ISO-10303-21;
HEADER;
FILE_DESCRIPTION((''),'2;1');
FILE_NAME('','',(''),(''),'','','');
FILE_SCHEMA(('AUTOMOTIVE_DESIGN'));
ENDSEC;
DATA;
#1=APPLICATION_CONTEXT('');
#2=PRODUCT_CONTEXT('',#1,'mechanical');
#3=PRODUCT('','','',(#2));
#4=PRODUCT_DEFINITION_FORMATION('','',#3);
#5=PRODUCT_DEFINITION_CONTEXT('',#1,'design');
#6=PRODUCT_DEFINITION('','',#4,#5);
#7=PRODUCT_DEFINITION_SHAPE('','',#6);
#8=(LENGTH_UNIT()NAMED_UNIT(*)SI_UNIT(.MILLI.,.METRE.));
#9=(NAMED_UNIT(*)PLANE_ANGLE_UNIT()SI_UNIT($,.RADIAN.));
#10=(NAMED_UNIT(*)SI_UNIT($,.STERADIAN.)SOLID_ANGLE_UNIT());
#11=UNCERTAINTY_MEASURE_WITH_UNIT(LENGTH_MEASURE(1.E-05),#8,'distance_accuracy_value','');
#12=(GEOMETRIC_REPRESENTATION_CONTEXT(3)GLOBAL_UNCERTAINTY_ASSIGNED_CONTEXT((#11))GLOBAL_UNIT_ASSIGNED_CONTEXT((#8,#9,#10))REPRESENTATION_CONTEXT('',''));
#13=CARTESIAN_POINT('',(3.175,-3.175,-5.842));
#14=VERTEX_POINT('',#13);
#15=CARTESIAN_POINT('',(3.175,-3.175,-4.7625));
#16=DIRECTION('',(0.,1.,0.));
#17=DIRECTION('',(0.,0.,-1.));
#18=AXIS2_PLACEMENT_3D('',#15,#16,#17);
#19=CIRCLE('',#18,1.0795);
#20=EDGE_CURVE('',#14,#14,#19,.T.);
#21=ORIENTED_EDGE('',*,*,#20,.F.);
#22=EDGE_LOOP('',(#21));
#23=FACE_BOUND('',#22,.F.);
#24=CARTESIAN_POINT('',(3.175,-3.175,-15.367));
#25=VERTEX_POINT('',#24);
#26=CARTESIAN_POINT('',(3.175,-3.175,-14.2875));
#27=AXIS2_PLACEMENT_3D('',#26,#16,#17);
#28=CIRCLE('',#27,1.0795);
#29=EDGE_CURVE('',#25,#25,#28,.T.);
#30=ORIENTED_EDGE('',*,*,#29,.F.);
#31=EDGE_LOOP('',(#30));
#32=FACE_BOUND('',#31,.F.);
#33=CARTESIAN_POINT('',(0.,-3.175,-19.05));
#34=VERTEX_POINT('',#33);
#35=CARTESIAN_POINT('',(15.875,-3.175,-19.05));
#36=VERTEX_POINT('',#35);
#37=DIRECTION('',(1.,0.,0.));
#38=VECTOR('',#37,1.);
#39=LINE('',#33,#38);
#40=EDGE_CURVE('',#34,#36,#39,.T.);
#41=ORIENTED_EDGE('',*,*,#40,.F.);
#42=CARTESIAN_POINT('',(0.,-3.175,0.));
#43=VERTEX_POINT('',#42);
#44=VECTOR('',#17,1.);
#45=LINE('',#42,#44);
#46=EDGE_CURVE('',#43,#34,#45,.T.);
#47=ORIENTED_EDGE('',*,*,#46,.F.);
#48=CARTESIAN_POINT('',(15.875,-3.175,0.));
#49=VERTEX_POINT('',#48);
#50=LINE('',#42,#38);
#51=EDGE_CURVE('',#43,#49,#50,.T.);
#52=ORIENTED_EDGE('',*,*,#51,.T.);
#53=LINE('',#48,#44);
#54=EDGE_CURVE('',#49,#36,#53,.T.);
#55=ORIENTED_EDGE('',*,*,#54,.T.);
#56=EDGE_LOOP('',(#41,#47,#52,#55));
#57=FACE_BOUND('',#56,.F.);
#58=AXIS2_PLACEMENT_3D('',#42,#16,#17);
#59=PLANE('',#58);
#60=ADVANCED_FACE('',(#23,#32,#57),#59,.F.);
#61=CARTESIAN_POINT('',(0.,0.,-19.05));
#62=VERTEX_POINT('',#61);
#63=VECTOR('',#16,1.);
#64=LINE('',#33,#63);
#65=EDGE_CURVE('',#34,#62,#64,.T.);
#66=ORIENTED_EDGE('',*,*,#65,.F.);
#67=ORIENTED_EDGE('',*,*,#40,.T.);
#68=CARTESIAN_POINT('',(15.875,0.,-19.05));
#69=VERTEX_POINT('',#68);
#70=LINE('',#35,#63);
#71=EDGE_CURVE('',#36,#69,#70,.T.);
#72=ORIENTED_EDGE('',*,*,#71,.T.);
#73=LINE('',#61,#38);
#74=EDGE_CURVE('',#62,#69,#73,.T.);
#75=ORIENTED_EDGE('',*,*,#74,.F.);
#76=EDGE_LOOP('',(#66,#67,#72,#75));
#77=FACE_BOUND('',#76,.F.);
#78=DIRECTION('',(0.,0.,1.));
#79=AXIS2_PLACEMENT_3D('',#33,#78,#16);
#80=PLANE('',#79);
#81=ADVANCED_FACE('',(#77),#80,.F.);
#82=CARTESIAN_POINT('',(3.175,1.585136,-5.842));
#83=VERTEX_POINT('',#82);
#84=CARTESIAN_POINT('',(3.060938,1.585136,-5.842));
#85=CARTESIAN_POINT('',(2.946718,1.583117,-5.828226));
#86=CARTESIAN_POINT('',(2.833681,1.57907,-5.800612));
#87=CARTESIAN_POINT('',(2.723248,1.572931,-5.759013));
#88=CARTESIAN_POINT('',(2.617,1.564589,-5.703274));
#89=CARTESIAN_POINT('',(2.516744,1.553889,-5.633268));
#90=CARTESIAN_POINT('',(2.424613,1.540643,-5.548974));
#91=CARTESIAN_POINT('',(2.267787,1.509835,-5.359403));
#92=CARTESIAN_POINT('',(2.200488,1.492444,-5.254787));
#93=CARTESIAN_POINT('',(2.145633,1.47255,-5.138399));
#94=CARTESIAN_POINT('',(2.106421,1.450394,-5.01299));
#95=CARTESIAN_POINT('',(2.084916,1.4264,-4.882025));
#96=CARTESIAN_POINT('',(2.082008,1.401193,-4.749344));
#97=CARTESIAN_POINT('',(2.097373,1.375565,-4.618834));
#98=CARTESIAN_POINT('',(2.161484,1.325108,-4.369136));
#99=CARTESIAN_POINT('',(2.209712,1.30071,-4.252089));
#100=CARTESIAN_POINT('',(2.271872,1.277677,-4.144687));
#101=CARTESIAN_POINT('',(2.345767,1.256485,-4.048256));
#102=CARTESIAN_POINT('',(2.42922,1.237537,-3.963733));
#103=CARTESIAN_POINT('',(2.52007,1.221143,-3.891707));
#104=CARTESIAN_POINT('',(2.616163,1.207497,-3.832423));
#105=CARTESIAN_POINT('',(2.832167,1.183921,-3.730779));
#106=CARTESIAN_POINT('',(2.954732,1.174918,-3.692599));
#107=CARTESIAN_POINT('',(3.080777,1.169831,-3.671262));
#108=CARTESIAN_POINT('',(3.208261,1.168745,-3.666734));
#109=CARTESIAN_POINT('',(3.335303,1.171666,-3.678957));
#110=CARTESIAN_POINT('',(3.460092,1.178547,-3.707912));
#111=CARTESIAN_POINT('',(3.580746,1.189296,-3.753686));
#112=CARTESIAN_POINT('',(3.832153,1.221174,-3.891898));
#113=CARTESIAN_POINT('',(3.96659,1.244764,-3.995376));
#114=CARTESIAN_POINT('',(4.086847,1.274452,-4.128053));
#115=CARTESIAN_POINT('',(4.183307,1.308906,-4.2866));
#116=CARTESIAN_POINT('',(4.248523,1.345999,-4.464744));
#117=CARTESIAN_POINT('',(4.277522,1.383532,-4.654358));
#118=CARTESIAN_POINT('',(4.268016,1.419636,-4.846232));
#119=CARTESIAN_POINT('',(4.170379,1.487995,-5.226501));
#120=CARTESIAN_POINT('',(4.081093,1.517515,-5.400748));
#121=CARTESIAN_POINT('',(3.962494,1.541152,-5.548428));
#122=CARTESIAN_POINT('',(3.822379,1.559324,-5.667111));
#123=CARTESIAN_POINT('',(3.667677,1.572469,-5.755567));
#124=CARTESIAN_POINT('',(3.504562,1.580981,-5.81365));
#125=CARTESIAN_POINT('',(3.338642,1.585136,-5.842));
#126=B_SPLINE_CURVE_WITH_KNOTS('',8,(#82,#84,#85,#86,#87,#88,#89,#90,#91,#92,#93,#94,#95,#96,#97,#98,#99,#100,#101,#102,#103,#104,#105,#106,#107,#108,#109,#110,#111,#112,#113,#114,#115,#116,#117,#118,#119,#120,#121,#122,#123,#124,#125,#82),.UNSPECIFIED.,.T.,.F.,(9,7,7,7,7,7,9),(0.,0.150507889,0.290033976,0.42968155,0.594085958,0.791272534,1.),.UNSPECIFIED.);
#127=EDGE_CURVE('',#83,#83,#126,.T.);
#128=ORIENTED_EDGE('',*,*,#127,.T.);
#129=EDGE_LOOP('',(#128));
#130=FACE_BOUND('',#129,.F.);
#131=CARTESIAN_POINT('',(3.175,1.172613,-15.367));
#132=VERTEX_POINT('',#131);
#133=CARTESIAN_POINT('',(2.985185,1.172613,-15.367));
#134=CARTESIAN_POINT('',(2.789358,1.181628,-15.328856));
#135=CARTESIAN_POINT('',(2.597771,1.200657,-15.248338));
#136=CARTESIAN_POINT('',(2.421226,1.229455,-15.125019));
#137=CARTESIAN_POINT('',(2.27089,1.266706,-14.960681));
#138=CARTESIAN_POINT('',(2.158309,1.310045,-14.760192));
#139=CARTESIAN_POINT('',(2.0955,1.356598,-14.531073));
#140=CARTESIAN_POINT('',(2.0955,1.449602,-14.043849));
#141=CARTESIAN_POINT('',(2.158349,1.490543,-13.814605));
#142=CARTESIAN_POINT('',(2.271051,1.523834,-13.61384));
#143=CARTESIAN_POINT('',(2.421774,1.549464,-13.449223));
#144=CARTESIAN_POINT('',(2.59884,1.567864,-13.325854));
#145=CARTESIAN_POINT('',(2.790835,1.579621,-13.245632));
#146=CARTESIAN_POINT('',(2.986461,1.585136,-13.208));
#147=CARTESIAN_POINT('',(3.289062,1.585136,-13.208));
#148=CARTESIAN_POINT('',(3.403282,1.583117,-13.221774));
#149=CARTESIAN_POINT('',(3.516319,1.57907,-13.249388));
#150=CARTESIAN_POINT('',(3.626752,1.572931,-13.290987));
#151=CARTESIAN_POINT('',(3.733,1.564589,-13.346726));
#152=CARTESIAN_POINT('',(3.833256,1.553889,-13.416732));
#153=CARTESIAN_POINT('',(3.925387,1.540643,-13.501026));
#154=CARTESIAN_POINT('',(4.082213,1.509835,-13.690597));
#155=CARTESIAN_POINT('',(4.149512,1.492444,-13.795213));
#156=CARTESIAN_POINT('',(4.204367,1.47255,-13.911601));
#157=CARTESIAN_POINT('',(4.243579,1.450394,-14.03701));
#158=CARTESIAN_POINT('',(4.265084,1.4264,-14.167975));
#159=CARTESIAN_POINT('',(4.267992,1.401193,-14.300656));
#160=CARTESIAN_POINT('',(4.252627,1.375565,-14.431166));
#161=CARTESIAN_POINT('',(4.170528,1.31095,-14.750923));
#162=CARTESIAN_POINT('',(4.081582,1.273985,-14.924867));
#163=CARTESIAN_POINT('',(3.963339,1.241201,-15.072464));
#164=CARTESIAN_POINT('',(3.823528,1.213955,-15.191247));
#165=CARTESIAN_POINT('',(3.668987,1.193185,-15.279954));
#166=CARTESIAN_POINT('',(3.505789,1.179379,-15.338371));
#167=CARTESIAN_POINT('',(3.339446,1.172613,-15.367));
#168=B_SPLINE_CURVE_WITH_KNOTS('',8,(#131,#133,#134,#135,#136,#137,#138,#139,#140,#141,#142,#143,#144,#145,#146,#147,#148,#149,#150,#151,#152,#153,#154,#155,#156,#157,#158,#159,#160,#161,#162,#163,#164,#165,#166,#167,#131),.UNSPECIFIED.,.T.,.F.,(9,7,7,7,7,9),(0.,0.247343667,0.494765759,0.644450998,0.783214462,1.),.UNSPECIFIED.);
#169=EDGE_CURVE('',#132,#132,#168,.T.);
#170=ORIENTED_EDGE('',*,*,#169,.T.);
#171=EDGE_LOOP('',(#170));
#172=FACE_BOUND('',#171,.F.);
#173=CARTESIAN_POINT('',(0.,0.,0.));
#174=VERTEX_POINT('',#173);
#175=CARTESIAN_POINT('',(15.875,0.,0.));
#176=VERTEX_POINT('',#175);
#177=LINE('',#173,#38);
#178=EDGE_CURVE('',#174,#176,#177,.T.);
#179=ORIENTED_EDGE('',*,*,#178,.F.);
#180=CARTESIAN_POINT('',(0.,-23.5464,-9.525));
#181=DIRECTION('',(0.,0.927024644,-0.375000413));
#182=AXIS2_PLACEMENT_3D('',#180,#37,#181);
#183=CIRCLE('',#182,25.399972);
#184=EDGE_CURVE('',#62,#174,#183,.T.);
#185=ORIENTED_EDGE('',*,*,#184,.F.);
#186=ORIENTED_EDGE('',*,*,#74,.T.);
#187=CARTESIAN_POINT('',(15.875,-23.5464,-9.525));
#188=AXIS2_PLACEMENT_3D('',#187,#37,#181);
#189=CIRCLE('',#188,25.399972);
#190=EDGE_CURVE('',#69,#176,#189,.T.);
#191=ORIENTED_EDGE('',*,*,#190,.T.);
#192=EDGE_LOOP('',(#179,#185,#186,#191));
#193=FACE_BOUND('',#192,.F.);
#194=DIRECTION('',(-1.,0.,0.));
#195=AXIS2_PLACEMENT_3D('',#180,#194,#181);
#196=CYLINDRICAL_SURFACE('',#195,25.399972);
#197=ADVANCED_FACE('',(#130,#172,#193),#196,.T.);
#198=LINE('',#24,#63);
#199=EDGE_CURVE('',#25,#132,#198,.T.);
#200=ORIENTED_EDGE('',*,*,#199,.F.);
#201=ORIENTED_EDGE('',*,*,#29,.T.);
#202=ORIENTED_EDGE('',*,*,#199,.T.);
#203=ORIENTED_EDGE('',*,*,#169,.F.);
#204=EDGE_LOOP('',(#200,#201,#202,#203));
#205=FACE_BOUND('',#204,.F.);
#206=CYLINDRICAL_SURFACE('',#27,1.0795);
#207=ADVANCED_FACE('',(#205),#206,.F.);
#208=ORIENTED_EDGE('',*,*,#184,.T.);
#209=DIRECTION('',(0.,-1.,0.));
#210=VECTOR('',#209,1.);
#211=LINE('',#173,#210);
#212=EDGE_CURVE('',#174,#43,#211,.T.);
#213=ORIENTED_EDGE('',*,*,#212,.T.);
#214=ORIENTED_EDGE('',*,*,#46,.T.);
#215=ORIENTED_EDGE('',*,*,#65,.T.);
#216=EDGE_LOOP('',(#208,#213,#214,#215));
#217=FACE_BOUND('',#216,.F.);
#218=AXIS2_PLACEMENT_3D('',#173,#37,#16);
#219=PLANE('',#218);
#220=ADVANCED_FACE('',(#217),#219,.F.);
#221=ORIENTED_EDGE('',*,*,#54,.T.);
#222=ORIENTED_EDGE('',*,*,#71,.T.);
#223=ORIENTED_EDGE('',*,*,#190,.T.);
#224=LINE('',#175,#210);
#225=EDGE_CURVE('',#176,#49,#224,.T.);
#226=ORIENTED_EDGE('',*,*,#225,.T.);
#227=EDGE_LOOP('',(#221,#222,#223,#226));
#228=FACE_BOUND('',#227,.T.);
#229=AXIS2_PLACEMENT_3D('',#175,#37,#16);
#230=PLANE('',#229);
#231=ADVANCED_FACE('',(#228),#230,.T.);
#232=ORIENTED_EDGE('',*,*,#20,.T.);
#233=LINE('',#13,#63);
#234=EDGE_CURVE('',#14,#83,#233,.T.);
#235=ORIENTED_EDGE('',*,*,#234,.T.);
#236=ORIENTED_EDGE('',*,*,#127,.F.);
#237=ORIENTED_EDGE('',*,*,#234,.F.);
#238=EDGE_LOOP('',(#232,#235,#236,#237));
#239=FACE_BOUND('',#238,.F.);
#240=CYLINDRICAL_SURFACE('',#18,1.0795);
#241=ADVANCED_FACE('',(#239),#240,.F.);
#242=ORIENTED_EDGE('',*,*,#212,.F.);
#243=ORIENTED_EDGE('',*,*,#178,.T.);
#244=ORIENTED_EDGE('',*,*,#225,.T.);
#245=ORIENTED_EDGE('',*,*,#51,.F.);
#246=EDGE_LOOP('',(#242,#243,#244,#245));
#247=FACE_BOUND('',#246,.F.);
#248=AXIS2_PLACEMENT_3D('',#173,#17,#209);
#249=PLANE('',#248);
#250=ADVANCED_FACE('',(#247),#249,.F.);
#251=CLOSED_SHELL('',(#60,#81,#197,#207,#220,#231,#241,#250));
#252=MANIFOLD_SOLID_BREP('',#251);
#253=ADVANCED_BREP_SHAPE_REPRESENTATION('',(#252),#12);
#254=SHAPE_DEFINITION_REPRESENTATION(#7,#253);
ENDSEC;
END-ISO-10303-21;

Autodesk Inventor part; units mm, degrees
ref_plane "YZ Plane" through (0, 0, 0) normal (1, 0, 0) x (0, 1, 0)
ref_plane "XZ Plane" through (0, 0, 0) normal (0, 1, 0) x (-1, 0, 0)
ref_plane "XY Plane" through (0, 0, 0) normal (0, 0, 1) x (1, 0, 0)
sketch "Sketch1" plane through (0, 0, 0) normal (1, 0, 0) x (0, 1, 0)
  line L0 (0, 0) -> (-3.175, 0)
  line L1 (-3.175, 0) -> (-3.175, -19.05)
  line L2 (-3.175, -19.05) -> (0, -19.05)
  arc A0 (0, -19.05) -> (0, 0) centre (-23.5464, -9.525) ccw
  dimension "d4" = 3.175
  dimension "d6" = 25.4
  dimension "d7" = 19.05
  dimension "d23" = 3.175
extrude "Extrusion1" add sketch "Sketch1" along normal blind 15.875
sketch "Sketch2" plane through (0, -3.175, -19.05) normal (0, -1, 0) x (1, 0, 0)
  line L0 (0, 19.05) -> (0, 0) projected
  line L1 (0, 0) -> (15.875, 0) projected
  line L2 (15.875, 19.05) -> (15.875, 0) projected
  line L3 (0, 19.05) -> (15.875, 19.05) projected
  point P0 (3.175, 14.2875)
  point P1 (3.175, 4.7625)
  dimension "d10" = 15.875
  dimension "d13" = 9.525
  dimension "d14" = 19.05
  dimension "d15" = 4.7625
  dimension "d24" = 3.175
  dimension "d25" = 3.175
hole "Hole1" at (3.175, -3.175, -4.7625) at (3.175, -3.175, -14.2875) direction (0, 1, 0) diameter 2.159 depth 6.35 tip angle 118
equation "\"d23\" = d4"
equation "\"d15\" = -0.5 * d13 + 0.5 * d14"
equation "\"d25\" = d24"
properties part number "TensionerPusher3" material "ABS Plastic"
